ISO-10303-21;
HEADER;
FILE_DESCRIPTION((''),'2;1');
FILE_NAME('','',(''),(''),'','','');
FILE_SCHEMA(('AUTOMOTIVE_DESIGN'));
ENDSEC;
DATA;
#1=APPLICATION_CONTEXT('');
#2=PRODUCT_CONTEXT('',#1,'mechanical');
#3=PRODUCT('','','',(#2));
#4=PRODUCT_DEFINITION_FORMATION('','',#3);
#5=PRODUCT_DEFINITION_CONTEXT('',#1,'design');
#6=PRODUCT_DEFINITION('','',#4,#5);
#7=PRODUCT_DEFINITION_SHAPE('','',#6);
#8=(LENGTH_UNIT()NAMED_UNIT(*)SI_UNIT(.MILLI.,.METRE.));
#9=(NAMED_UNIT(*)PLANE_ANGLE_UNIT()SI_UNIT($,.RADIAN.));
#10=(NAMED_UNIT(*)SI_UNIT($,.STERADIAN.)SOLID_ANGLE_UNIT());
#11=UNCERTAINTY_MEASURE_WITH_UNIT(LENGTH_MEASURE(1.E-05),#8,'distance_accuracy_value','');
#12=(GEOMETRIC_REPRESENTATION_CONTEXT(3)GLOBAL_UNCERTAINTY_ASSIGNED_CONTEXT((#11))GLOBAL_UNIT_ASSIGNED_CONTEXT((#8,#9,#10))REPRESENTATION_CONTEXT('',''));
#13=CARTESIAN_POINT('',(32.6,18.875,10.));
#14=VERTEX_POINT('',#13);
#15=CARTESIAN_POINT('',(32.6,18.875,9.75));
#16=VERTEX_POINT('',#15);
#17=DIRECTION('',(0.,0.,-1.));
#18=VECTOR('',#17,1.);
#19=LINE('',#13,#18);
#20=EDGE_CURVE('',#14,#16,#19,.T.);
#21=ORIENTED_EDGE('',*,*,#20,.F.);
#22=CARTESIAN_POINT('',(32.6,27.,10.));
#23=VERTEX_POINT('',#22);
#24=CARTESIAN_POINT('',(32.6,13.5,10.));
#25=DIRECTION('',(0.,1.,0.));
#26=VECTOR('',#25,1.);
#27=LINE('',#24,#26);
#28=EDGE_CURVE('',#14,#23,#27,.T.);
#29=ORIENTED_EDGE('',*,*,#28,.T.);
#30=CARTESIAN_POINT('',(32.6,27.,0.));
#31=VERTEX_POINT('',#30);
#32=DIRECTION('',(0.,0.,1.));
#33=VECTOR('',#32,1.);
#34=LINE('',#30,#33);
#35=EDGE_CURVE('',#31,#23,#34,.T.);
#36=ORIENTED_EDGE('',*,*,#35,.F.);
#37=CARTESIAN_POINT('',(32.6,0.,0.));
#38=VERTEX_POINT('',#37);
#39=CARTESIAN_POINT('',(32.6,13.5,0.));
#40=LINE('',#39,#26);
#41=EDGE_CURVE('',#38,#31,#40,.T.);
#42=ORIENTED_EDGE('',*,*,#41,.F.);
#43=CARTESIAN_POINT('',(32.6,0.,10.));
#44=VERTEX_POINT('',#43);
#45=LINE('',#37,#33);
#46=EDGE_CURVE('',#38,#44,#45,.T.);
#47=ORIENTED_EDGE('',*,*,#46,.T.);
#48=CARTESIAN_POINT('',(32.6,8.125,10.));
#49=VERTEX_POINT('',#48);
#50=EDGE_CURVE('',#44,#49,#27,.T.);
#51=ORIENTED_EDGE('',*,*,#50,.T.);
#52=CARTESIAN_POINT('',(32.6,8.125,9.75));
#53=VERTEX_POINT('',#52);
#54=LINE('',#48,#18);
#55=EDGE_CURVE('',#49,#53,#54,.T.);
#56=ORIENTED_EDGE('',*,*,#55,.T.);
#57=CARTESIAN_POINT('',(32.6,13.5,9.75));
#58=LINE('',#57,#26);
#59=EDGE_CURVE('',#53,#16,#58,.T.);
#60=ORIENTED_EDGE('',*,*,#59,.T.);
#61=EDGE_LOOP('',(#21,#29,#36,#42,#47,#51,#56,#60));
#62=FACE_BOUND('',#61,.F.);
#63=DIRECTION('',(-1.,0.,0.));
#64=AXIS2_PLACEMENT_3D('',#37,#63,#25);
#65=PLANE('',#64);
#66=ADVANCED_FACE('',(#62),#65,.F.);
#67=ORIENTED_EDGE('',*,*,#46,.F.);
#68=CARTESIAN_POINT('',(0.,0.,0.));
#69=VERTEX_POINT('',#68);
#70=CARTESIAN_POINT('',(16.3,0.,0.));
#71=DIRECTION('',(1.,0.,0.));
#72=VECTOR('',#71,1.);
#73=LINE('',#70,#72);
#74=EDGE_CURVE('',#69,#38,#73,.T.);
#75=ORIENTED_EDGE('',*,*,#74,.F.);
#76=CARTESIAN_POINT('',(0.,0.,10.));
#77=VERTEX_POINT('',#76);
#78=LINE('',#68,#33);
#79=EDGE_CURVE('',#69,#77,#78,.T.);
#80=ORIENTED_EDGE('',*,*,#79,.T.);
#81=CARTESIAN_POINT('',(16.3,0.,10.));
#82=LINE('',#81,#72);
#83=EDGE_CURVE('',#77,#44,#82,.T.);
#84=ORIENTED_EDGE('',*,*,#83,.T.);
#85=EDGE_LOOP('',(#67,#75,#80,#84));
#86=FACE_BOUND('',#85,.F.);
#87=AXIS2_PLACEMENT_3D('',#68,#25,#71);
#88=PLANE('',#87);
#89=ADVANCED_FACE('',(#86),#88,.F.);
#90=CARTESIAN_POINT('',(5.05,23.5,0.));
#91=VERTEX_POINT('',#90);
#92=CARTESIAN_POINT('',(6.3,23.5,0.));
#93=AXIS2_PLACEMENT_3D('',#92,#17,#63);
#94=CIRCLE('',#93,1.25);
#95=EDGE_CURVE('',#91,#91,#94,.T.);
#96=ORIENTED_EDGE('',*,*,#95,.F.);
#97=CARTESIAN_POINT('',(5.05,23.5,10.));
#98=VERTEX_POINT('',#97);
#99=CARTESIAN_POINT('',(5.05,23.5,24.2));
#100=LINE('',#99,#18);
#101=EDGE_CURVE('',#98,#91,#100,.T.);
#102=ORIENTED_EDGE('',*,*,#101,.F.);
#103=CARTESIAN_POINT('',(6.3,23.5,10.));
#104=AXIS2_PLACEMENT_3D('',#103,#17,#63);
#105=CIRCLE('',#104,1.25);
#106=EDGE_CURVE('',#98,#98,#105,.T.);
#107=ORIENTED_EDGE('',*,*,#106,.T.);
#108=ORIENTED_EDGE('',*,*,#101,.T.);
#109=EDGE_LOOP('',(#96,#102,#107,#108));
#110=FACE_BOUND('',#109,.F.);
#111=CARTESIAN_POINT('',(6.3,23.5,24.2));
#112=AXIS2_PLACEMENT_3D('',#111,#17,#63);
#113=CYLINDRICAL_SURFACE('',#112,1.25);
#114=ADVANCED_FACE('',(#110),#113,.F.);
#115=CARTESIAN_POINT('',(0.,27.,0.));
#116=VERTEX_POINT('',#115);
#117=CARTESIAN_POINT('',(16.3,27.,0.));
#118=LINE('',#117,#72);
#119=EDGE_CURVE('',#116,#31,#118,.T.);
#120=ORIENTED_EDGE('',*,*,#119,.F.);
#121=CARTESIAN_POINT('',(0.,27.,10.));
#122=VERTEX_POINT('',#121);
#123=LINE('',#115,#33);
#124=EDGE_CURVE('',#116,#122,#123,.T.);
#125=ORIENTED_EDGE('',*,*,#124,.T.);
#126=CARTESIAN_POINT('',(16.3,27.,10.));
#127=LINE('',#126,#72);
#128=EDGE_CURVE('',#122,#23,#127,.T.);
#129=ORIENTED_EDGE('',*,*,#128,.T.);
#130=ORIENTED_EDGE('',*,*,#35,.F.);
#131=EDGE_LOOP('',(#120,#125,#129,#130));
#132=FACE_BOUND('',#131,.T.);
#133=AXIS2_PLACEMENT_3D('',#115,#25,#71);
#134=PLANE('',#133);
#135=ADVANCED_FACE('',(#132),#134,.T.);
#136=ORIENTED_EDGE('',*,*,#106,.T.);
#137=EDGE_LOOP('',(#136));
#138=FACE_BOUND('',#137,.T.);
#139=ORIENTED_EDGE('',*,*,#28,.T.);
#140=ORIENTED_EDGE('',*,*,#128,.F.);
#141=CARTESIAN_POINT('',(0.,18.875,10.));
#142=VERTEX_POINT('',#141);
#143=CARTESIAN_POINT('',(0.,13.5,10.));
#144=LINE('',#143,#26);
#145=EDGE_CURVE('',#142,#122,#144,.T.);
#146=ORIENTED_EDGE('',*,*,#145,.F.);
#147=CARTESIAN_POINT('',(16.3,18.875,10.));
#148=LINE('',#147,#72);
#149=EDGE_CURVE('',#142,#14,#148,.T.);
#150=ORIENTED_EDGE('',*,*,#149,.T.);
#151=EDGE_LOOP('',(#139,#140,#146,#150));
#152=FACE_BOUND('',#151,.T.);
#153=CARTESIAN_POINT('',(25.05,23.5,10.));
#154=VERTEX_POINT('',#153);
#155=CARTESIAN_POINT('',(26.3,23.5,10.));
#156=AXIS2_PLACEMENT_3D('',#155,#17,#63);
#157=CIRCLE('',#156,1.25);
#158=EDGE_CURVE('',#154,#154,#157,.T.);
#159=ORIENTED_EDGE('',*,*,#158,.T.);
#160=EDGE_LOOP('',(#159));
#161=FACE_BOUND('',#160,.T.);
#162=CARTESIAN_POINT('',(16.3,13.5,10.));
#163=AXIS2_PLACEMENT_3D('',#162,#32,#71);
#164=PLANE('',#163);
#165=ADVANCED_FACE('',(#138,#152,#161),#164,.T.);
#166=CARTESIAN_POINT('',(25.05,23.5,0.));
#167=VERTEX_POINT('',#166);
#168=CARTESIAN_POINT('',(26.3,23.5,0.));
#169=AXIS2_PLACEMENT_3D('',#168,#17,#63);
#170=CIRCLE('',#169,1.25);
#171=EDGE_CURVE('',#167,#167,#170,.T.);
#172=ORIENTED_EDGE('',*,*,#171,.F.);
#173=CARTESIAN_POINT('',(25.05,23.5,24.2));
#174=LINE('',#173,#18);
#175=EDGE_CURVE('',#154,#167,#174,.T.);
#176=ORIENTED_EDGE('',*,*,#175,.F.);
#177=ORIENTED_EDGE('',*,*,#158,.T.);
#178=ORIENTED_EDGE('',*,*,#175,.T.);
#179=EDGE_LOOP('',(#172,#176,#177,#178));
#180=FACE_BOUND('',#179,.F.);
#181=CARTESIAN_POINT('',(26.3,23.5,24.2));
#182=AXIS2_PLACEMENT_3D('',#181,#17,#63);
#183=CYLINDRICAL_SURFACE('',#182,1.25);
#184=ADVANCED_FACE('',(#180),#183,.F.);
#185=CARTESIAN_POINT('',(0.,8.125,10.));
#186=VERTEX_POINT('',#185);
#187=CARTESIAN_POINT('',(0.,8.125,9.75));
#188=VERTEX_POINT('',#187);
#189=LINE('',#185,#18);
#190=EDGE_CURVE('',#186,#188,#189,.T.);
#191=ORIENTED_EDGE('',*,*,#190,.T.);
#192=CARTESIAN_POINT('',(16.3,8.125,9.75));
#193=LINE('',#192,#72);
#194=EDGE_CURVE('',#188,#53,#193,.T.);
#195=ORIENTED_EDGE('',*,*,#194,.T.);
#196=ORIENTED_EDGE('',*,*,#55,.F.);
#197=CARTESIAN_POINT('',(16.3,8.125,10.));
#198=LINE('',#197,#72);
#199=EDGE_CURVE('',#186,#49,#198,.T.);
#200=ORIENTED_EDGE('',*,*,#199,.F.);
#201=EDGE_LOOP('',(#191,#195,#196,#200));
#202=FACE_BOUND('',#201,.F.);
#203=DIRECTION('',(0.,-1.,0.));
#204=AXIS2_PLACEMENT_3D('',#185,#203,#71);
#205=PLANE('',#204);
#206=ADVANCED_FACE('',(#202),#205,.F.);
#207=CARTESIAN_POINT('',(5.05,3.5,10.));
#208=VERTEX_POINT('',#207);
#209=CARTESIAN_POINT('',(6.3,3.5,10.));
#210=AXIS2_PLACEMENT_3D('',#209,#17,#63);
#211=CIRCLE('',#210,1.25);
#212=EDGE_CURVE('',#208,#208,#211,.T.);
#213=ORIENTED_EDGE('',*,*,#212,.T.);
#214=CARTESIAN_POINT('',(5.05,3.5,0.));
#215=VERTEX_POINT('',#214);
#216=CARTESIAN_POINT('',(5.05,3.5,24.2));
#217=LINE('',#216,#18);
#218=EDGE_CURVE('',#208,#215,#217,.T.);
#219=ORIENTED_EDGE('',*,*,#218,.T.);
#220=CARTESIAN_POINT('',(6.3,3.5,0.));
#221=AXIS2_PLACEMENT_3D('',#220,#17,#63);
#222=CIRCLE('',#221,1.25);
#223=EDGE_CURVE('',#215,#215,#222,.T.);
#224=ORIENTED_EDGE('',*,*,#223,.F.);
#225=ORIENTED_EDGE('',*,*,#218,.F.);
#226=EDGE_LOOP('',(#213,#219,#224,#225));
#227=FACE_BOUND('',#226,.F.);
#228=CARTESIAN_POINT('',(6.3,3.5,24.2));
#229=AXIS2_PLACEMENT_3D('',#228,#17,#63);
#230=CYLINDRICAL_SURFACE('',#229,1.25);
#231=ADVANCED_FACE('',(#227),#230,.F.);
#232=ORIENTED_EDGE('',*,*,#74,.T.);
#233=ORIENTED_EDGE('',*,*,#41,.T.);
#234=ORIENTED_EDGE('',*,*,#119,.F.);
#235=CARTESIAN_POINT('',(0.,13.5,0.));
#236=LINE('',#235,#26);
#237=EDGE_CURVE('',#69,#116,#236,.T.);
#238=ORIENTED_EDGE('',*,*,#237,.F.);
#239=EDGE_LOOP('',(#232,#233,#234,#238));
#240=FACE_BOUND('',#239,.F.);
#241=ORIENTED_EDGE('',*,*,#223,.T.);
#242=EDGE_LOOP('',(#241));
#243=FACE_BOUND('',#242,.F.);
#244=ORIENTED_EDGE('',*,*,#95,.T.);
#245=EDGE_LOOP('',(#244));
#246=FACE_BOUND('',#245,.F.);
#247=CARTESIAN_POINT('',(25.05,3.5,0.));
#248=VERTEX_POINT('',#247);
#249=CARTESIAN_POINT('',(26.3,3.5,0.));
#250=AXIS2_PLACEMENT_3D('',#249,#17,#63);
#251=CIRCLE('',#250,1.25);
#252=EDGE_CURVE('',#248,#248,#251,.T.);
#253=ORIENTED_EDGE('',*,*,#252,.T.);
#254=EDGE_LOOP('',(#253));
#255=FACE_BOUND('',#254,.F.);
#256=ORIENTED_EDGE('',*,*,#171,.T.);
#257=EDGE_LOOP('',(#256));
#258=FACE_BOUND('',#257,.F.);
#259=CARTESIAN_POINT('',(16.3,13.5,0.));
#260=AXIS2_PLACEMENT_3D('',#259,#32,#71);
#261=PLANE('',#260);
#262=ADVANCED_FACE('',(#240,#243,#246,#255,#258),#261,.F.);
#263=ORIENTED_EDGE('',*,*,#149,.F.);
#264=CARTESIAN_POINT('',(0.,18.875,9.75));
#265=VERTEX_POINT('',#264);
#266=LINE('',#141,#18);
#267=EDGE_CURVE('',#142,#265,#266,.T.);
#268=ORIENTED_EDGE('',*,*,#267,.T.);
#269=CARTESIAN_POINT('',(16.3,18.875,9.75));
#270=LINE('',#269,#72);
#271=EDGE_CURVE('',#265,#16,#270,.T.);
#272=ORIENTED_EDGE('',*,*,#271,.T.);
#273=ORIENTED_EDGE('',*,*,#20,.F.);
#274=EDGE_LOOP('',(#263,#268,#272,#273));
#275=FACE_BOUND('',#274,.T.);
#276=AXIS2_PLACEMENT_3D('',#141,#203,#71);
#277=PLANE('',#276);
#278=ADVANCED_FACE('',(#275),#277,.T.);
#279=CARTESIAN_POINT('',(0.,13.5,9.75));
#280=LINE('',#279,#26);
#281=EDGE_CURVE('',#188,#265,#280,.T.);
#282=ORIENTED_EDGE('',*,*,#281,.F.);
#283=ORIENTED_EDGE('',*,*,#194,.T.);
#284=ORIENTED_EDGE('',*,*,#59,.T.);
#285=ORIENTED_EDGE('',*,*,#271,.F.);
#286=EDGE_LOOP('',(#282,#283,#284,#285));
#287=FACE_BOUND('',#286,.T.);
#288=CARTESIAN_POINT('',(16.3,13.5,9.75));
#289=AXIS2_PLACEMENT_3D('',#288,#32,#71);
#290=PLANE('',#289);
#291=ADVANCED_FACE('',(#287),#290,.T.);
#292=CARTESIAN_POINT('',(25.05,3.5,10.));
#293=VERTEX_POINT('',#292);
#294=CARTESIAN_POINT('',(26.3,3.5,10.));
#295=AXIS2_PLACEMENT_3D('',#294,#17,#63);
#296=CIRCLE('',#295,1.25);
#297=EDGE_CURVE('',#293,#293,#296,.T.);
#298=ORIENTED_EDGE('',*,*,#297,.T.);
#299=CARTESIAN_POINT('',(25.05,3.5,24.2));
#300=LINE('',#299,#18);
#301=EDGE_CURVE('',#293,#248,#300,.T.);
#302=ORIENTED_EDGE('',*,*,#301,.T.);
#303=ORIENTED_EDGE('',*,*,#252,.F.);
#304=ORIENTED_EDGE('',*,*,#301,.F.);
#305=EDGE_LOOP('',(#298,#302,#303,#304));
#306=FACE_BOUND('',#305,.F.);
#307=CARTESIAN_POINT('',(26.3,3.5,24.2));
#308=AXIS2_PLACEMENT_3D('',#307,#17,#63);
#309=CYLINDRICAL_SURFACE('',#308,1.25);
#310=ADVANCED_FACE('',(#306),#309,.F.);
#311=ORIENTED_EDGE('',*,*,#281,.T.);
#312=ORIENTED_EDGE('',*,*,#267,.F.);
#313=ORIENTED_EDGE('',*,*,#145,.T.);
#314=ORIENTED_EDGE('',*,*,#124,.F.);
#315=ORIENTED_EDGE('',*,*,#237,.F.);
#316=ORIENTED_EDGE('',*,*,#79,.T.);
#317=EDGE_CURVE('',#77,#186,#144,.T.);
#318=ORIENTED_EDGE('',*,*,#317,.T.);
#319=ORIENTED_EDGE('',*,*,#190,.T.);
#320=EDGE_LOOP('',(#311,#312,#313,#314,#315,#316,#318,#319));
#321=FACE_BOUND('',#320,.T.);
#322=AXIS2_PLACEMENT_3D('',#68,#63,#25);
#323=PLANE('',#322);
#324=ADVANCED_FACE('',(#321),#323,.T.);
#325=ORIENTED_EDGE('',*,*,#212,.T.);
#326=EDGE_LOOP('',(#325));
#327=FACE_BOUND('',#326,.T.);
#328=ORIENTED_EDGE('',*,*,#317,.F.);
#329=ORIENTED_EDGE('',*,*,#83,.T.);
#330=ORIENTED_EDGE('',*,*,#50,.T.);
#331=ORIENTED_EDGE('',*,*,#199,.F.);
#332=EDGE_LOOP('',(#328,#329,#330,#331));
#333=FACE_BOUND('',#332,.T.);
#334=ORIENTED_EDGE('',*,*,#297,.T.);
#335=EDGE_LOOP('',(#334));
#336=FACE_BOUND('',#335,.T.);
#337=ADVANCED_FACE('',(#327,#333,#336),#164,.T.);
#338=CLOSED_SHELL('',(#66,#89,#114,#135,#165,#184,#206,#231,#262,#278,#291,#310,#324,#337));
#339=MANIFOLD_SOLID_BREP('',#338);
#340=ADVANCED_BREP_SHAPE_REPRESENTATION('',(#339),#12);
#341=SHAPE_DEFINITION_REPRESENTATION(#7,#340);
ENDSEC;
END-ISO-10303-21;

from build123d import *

# Parameters (mm, degrees)
F0_W     = 32.6
F0_H     = 27
F1_DEPTH = 10
F2_W     = 32.6
F2_H     = 10.75
F3_DEPTH = 0.25
F5_D     = 2.5
F5_DEPTH = 14.2
F5_TIP   = 0.7510757738


with BuildPart() as f1:
    # F0 (on Top) → F1 (new body)
    with BuildSketch(Plane.XY):
        with Locations((16.3, 13.5)):
            Rectangle(F0_W, F0_H)
    extrude(amount=F1_DEPTH)

    # F2 (on face) → F3 (cut)
    with BuildSketch(Plane.XY.offset(10)):
        with Locations((16.3, 13.5)):
            Rectangle(F2_W, F2_H)
    extrude(amount=-F3_DEPTH, mode=Mode.SUBTRACT)

    # F5
    with Locations(Plane.XY.offset(10)):
        with Locations((6.3, 23.5), (26.3, 23.5), (26.3, 3.5), (6.3, 3.5)):
            Hole(F5_D / 2, depth=F5_DEPTH)
            with Locations((0, 0, -(F5_DEPTH + F5_TIP / 2))):  # 118° drill point
                Cone(0, F5_D / 2, F5_TIP, mode=Mode.SUBTRACT)


solid = f1.part
